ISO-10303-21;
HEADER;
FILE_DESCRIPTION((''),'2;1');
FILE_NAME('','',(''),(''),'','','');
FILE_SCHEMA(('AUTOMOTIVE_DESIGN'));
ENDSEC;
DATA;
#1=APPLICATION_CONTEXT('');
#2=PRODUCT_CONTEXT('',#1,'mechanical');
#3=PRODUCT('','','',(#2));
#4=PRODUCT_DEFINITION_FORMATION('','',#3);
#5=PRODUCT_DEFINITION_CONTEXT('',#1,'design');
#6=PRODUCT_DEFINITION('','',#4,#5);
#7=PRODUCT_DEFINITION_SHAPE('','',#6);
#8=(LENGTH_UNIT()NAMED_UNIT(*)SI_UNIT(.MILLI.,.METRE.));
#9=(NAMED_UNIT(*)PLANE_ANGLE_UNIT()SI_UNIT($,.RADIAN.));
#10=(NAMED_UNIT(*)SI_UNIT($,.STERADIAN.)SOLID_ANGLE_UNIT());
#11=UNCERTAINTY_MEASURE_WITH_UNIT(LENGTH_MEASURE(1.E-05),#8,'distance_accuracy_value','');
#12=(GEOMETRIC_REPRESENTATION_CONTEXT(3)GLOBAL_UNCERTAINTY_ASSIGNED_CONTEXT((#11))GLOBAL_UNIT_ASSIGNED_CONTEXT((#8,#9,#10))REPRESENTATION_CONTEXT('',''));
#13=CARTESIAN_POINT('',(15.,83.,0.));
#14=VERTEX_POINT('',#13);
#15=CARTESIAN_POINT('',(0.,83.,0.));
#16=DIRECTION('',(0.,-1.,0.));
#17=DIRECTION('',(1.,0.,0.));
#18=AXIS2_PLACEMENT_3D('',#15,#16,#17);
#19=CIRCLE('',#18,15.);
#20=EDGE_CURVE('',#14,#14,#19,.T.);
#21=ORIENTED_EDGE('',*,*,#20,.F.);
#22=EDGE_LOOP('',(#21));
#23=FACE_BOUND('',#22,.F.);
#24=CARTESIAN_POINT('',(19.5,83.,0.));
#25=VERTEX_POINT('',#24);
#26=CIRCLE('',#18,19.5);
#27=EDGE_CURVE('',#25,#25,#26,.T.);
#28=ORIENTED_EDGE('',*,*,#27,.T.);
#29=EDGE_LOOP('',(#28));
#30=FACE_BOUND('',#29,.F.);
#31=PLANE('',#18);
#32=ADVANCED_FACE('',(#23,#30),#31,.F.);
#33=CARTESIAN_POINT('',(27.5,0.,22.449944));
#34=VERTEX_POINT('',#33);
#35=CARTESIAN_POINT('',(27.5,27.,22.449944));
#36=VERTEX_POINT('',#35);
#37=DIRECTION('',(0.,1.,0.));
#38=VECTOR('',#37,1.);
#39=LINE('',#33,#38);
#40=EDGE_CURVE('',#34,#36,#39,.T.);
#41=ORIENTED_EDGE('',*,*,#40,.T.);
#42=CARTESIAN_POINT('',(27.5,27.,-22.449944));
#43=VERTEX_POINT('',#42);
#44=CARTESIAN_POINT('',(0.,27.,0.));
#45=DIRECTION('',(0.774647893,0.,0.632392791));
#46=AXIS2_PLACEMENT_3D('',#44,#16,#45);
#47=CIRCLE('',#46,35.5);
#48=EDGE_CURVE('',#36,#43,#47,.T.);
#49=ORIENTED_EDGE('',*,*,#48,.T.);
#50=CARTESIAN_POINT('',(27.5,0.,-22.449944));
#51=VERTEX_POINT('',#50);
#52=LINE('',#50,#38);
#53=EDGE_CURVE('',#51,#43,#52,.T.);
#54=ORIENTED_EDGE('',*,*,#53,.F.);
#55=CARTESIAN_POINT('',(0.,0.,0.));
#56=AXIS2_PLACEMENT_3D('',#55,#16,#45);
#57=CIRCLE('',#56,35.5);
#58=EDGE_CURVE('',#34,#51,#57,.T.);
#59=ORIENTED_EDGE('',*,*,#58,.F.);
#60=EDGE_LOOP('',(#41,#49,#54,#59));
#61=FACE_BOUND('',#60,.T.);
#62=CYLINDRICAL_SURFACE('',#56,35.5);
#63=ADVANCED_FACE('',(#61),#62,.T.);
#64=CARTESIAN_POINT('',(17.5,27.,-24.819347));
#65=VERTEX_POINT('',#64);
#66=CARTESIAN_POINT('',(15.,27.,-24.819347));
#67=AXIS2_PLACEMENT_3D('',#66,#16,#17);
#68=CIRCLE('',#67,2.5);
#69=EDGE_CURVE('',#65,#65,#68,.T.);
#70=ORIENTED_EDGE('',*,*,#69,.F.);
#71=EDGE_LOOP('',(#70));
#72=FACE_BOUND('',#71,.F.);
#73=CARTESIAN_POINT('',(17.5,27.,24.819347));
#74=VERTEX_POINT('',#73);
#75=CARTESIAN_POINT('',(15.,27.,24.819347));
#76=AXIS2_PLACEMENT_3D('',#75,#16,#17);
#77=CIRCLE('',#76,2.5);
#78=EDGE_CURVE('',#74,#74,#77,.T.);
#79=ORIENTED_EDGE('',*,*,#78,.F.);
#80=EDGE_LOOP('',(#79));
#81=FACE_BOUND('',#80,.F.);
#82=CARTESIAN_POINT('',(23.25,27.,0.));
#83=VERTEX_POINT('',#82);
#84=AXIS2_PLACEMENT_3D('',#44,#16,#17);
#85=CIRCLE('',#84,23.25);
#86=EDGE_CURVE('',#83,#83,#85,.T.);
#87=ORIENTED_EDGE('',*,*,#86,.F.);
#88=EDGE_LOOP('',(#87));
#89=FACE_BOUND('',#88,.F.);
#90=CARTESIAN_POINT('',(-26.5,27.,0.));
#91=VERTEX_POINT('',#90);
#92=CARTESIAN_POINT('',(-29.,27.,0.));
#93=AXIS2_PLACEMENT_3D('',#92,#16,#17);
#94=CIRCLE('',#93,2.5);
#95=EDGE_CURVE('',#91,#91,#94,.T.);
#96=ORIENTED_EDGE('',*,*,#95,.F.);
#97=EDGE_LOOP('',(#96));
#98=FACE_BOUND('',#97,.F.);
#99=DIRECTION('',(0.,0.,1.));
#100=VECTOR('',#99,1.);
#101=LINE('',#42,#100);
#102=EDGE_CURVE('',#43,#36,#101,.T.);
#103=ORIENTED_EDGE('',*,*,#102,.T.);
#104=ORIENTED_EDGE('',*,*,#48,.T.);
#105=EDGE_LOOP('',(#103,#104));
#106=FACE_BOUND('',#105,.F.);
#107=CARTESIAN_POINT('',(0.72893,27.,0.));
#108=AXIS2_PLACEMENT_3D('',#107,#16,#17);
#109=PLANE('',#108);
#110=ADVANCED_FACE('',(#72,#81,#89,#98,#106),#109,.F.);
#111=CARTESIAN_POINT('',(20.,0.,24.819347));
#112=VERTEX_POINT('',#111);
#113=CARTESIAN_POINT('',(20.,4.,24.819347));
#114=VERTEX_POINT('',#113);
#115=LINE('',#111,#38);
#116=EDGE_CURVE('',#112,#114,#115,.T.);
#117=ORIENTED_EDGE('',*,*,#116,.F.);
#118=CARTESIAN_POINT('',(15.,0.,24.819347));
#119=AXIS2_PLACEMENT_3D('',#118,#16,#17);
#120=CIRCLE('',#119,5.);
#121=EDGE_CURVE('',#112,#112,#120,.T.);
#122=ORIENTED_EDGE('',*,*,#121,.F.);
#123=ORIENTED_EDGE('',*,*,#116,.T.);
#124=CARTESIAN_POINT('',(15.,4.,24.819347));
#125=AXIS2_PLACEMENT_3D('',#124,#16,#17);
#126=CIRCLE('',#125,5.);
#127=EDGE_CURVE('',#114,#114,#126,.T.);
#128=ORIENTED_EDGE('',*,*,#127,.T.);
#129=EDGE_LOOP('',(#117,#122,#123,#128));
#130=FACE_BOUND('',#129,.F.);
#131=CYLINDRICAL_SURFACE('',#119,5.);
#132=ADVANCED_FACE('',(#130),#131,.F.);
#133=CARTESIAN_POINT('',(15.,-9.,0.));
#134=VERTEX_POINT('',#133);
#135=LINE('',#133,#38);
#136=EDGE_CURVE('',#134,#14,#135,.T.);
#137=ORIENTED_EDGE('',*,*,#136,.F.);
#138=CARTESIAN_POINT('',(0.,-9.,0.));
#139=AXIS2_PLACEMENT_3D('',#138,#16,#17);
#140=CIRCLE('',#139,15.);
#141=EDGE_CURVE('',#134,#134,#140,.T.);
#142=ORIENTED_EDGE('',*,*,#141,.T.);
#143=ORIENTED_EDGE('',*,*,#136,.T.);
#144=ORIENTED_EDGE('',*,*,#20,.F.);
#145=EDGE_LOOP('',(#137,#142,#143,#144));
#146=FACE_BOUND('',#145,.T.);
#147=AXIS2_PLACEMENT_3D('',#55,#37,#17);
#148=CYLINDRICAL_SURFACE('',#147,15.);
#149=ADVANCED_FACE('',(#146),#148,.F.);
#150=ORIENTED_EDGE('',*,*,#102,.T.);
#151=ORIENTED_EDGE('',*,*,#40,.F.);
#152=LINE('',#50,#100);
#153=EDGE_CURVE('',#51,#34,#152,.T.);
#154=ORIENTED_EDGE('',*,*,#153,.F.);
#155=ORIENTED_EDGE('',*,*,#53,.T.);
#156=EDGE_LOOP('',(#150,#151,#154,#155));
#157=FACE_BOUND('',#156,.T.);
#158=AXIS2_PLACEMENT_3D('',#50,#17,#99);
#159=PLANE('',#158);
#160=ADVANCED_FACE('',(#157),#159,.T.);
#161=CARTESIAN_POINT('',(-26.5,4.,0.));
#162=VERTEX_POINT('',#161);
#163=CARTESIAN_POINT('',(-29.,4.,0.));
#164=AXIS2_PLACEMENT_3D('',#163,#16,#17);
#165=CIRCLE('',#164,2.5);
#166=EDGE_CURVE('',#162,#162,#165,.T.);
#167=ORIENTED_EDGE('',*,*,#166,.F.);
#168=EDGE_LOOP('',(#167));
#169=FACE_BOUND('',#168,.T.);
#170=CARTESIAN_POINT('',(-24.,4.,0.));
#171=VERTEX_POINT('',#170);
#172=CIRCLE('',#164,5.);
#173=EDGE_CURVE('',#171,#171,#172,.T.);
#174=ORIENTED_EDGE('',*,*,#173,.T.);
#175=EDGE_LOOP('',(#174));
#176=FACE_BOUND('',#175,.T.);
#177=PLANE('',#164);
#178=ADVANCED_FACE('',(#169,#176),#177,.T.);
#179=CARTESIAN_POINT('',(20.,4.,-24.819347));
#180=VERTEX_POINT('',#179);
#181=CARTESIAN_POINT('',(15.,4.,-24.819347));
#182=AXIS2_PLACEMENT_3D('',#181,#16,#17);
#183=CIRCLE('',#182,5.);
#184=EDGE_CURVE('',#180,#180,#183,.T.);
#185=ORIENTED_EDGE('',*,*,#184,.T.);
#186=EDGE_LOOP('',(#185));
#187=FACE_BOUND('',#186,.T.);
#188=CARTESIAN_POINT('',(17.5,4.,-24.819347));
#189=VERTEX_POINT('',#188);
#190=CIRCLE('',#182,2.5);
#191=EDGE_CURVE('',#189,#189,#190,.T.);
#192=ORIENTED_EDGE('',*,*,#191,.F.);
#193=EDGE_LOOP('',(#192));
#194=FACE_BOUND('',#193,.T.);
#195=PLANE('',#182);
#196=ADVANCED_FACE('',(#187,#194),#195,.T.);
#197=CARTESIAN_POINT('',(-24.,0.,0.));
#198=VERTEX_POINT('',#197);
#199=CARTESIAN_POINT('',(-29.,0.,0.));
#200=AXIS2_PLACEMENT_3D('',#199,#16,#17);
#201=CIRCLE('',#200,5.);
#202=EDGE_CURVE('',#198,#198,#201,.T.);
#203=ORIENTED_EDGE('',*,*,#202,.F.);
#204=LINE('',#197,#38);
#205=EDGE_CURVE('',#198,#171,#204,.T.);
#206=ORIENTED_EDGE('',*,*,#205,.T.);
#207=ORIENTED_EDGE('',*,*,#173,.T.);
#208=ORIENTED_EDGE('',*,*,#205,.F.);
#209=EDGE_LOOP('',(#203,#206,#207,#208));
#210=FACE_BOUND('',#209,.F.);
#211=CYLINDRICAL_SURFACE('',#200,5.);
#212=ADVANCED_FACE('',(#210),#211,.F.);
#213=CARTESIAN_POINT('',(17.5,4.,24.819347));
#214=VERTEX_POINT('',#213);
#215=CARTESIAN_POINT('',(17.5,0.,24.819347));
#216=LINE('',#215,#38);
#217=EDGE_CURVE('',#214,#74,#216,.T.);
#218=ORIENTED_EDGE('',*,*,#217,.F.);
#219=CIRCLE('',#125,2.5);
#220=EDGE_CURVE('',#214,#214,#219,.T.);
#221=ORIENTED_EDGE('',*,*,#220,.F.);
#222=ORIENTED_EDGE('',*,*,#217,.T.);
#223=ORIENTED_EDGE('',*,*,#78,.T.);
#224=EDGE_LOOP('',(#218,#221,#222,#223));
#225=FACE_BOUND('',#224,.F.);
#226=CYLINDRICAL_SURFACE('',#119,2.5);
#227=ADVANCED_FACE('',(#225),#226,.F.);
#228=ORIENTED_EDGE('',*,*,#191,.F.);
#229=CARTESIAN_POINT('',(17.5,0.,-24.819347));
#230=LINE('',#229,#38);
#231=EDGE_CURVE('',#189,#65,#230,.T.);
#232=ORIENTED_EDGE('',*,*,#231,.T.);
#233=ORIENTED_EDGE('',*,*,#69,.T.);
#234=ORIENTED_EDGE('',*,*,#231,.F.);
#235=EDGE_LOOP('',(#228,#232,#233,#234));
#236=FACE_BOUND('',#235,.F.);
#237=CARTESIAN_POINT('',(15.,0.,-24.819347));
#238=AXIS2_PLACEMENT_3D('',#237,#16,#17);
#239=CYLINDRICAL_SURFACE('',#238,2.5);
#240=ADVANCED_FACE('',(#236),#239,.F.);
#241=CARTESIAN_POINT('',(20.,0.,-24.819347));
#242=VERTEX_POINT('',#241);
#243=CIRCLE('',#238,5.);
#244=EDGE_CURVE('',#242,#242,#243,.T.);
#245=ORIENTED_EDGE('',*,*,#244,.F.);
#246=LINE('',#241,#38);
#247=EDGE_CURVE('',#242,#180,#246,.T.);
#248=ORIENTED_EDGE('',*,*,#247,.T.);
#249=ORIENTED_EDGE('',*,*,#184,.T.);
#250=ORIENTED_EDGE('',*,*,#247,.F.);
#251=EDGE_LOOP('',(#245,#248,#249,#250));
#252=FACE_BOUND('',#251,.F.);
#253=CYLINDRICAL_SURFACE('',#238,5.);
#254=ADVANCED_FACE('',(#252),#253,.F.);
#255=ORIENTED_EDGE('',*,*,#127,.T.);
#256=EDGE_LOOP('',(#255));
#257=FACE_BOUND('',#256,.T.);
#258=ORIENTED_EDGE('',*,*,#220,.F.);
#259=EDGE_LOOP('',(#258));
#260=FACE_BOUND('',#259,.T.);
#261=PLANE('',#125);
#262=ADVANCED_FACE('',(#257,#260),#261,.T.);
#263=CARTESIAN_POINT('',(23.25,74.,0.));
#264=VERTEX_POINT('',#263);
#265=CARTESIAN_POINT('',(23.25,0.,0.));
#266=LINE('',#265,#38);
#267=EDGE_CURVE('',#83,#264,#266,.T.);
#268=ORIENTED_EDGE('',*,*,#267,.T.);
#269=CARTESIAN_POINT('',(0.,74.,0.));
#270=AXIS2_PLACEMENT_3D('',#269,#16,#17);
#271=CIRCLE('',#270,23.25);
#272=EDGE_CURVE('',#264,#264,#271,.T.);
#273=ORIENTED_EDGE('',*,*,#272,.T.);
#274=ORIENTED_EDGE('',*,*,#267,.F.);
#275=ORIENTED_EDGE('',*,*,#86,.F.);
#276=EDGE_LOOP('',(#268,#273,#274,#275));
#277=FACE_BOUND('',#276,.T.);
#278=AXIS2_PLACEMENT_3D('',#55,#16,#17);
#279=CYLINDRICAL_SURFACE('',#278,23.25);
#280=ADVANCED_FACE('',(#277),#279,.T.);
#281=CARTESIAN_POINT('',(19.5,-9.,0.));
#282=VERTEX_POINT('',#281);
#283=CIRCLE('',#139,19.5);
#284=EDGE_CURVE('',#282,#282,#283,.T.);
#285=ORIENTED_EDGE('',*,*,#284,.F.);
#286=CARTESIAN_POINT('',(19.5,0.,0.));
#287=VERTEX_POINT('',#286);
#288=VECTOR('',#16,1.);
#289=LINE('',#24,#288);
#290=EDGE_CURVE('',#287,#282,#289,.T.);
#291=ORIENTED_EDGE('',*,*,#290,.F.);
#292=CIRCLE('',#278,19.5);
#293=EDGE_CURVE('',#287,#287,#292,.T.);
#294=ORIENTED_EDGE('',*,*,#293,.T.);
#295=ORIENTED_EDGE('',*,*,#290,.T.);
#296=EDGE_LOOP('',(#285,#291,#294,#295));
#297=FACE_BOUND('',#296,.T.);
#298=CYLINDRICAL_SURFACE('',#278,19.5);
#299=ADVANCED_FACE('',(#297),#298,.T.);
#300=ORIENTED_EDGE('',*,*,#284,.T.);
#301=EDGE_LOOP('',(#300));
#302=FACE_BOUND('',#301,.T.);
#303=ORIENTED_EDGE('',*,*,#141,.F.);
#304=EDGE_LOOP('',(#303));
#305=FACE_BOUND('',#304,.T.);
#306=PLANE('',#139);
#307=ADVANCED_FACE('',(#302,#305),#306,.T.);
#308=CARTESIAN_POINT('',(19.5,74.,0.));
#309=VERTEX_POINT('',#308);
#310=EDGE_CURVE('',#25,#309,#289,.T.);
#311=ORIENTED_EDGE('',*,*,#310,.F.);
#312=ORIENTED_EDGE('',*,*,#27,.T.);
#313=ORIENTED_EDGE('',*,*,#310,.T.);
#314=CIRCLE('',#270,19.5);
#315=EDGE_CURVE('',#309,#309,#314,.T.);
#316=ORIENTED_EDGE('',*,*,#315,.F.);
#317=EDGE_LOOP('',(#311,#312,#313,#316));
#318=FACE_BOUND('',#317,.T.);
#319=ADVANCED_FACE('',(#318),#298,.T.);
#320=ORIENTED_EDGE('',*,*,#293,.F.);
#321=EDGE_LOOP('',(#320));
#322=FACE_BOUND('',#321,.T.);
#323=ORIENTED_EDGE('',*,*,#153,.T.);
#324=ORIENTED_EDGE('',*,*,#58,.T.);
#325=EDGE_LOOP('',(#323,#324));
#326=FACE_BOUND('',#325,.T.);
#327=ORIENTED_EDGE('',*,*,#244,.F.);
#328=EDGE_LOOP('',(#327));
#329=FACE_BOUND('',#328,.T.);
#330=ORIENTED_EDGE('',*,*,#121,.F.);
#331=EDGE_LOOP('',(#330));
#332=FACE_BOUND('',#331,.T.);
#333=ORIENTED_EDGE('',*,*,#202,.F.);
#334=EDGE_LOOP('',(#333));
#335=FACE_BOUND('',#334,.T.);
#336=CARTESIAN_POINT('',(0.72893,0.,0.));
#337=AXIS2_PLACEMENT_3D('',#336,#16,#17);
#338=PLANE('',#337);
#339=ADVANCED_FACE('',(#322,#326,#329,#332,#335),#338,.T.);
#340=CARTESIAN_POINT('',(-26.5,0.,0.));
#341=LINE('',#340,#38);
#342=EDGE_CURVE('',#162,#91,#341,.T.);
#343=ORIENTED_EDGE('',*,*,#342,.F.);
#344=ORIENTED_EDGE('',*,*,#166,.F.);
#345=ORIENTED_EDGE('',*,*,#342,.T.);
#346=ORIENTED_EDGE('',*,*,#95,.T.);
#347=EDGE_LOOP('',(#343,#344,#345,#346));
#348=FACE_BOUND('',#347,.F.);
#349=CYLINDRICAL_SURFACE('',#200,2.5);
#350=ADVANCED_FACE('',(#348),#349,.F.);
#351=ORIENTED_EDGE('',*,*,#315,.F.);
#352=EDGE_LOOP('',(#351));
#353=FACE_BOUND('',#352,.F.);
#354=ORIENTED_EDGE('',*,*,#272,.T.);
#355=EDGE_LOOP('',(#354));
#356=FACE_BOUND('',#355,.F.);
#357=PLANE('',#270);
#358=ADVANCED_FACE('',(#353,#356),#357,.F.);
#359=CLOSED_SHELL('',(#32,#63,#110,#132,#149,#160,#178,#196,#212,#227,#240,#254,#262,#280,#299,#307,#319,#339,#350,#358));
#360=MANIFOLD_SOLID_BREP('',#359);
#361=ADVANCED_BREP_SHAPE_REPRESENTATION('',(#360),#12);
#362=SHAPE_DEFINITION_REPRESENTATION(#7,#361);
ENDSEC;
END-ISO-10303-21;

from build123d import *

# Parameters (mm, degrees)
F0_R     = 19.5
F0_R_2   = 15
F1_DEPTH = 9
F2_DEPTH = 83
F0_R_3   = 23.25
F3_DEPTH = 74
F0_R_4   = 5
F0_R_5   = 2.5
F4_DEPTH = 27
F5_DEPTH = 4
F6_DEPTH = 27


with BuildPart() as f1:
    # F0 (on Front) → F1 (new body)
    with BuildSketch(Plane.XZ):
        Circle(F0_R)
        Circle(F0_R_2, mode=Mode.SUBTRACT)
    extrude(amount=F1_DEPTH)

    # F0 (on Front) → F2 (join)
    with BuildSketch(Plane.XZ):
        Circle(F0_R)
        Circle(F0_R_2, mode=Mode.SUBTRACT)
    extrude(amount=-F2_DEPTH)

    # F0 (on Front) → F3 (join)
    with BuildSketch(Plane.XZ):
        Circle(F0_R_3)
        Circle(F0_R, mode=Mode.SUBTRACT)
    extrude(amount=-F3_DEPTH)

    # F0 (on Front) → F4 (join)
    with BuildSketch(Plane.XZ):
        with BuildLine():
            Line((27.5, -22.449944), (27.5, 22.449944))
            ThreePointArc((27.5, 22.449944), (-35.5, 0), (27.5, -22.449944))
        make_face()
        with Locations((15, -24.819347)):
            Circle(F0_R_4, mode=Mode.SUBTRACT)
        with Locations((-29, 0)):
            Circle(F0_R_4, mode=Mode.SUBTRACT)
        Circle(F0_R_3, mode=Mode.SUBTRACT)
        with Locations((15, 24.819347)):
            Circle(F0_R_4, mode=Mode.SUBTRACT)
        with Locations((15, 24.819347)):
            Circle(F0_R_4)
        with Locations((15, 24.819347)):
            Circle(F0_R_5, mode=Mode.SUBTRACT)
        with Locations((15, 24.819347)):
            Circle(F0_R_5)
        with Locations((15, -24.819347)):
            Circle(F0_R_4)
        with Locations((15, -24.819347)):
            Circle(F0_R_5, mode=Mode.SUBTRACT)
        with Locations((15, -24.819347)):
            Circle(F0_R_5)
        with Locations((-29, 0)):
            Circle(F0_R_4)
        with Locations((-29, 0)):
            Circle(F0_R_5, mode=Mode.SUBTRACT)
        with Locations((-29, 0)):
            Circle(F0_R_5)
    extrude(amount=-F4_DEPTH)

    # F0 (on Front) → F5 (cut)
    with BuildSketch(Plane.XZ):
        with Locations((15, -24.819347)):
            Circle(F0_R_4)
        with Locations((15, -24.819347)):
            Circle(F0_R_5, mode=Mode.SUBTRACT)
        with Locations((15, 24.819347)):
            Circle(F0_R_4)
        with Locations((15, 24.819347)):
            Circle(F0_R_5, mode=Mode.SUBTRACT)
        with Locations((-29, 0)):
            Circle(F0_R_4)
        with Locations((-29, 0)):
            Circle(F0_R_5, mode=Mode.SUBTRACT)
    extrude(amount=-F5_DEPTH, mode=Mode.SUBTRACT)

    # F0 (on Front) → F6 (cut)
    with BuildSketch(Plane.XZ):
        with Locations((15, -24.819347)):
            Circle(F0_R_5)
        with Locations((15, 24.819347)):
            Circle(F0_R_5)
        with Locations((-29, 0)):
            Circle(F0_R_5)
    extrude(amount=-F6_DEPTH, mode=Mode.SUBTRACT)


solid = f1.part
